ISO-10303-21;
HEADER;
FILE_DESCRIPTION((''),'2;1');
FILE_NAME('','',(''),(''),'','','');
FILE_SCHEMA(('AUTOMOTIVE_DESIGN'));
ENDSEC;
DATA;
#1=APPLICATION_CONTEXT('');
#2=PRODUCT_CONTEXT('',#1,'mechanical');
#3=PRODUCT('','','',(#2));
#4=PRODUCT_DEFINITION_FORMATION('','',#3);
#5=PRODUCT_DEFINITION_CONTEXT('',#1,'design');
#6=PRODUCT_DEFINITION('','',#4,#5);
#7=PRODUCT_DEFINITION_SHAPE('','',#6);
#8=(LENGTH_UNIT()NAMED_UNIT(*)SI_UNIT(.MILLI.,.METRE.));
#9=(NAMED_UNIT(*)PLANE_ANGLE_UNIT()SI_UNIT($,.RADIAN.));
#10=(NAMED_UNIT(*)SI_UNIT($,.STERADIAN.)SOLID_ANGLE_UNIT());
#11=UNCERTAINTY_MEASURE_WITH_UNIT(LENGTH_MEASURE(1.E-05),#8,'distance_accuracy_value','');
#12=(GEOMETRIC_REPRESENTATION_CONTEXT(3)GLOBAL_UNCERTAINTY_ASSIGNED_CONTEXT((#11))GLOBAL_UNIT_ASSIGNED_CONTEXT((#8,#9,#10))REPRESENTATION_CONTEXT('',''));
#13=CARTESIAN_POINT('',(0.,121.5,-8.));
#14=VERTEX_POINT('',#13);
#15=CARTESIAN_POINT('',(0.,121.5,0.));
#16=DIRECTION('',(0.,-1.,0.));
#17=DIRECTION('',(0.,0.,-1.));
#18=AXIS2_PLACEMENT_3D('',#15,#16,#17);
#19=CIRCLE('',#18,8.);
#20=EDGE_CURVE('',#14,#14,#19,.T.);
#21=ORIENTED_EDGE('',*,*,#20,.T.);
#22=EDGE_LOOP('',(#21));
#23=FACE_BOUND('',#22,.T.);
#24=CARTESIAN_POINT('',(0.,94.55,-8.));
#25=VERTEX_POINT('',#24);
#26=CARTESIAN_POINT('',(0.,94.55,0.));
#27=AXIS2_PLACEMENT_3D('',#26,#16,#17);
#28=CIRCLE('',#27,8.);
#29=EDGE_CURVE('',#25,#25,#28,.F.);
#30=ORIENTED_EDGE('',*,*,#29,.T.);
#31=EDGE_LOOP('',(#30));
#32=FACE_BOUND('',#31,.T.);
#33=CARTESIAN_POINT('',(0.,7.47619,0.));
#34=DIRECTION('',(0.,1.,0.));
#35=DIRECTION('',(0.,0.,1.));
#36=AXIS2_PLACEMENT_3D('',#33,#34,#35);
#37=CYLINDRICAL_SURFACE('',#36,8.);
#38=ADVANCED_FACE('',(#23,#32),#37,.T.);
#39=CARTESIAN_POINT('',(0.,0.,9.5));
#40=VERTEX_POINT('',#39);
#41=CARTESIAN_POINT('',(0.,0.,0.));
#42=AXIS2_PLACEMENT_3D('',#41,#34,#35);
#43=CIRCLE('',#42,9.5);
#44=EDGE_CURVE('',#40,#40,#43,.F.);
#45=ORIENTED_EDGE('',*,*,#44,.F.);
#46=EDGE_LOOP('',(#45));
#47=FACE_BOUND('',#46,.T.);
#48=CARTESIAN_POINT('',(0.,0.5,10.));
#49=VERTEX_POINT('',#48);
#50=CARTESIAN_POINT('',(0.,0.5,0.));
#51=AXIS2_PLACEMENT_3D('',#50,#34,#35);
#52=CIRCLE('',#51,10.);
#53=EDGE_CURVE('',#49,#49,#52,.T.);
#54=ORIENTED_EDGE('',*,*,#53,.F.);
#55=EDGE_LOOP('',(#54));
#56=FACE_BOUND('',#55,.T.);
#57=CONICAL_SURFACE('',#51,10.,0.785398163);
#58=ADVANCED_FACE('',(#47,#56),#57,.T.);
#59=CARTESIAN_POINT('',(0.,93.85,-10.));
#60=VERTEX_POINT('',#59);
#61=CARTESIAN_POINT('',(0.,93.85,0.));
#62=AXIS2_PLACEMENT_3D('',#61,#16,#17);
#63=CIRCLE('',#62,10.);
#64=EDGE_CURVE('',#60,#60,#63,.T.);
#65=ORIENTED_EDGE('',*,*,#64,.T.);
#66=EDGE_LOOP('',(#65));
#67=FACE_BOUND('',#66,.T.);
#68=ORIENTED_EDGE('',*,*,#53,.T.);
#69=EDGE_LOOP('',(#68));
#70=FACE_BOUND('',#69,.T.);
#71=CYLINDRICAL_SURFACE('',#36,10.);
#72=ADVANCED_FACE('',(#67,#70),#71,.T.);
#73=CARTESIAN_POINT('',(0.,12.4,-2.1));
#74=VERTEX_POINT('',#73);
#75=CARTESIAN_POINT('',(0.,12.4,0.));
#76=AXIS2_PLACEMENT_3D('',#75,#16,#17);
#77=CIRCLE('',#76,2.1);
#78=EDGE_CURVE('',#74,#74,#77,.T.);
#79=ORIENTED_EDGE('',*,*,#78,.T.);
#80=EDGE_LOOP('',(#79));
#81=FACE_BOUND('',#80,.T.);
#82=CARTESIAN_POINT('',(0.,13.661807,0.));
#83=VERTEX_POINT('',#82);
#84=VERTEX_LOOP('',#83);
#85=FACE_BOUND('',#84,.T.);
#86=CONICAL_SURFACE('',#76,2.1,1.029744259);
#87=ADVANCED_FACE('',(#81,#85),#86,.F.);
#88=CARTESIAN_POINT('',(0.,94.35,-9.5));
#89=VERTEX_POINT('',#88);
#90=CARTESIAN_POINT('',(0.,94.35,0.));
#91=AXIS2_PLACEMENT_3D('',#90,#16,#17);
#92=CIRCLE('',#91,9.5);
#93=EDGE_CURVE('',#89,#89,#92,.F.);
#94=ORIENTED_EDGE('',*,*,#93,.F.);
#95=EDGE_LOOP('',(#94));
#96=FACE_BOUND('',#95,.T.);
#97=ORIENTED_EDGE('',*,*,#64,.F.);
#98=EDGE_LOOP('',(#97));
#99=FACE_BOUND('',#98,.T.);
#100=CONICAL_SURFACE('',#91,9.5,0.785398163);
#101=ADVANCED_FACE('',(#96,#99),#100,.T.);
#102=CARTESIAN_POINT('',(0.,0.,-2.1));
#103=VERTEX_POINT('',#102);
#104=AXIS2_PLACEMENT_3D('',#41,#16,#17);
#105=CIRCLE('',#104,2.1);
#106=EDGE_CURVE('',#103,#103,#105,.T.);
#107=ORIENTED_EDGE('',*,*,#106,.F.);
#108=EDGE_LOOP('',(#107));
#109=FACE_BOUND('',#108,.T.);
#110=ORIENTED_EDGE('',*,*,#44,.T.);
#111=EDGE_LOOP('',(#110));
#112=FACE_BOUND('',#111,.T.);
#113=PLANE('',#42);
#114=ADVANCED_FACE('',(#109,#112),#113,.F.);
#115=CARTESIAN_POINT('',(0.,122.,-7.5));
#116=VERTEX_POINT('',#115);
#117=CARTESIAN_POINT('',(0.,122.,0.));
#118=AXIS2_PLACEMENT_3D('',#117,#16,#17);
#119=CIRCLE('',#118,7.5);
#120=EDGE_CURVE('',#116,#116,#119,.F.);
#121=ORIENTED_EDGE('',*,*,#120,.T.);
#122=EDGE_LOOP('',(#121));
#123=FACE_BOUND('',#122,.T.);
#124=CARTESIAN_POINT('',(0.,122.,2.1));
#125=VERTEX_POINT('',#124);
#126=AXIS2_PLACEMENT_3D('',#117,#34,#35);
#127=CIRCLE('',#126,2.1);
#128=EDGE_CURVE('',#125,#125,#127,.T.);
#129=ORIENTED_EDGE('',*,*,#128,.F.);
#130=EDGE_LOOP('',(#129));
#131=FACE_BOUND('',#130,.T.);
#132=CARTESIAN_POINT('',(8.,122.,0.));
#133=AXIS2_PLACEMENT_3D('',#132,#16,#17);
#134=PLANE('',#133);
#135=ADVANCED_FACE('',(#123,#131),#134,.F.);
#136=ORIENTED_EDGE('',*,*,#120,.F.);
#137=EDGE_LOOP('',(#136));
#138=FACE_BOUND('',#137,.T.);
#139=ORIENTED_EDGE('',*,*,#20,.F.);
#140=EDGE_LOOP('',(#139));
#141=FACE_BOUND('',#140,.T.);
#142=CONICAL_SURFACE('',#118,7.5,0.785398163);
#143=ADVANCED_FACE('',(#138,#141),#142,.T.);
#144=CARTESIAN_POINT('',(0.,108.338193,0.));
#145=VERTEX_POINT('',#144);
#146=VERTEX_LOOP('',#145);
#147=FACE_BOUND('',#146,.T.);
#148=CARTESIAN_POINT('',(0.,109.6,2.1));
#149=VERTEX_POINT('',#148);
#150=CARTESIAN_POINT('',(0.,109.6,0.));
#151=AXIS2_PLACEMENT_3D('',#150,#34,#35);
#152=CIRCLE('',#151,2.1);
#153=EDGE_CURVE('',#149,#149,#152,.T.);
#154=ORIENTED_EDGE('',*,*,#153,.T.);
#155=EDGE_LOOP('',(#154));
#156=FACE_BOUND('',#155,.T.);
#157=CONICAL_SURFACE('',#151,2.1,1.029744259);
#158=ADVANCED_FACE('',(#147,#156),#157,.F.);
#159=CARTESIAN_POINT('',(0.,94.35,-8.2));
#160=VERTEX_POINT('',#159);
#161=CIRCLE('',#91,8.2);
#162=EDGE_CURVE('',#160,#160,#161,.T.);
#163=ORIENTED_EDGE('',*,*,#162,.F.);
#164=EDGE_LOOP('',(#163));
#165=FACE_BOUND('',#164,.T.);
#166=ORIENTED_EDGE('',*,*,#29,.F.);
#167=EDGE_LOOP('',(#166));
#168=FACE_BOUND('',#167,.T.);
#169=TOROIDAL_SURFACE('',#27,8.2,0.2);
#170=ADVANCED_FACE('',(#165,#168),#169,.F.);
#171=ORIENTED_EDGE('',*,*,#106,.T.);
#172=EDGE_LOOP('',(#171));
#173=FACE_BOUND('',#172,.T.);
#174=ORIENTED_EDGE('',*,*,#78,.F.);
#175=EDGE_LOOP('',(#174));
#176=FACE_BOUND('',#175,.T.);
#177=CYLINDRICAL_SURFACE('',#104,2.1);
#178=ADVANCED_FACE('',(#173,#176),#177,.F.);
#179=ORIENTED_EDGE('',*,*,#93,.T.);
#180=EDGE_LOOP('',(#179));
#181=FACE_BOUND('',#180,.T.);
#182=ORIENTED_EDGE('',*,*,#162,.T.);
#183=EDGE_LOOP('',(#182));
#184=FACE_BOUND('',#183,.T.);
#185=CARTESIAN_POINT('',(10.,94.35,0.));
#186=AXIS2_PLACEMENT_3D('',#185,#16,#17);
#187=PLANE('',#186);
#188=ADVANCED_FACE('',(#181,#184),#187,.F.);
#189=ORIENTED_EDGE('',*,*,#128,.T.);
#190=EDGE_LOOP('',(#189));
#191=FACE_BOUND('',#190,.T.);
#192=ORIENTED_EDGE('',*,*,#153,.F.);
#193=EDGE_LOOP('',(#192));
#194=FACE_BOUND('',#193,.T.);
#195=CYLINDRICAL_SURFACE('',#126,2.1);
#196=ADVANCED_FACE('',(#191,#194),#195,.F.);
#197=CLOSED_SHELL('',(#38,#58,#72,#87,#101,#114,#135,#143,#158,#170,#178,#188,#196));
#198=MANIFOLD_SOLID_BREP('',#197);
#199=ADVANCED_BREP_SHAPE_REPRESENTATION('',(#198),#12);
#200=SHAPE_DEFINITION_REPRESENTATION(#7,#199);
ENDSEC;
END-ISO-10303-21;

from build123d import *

# Parameters (mm, degrees)
FILLET1_R     = 0.2
CHAMFER1_SIZE = 0.5


with BuildPart() as part:
    # Sketch1 → Revolve1 (revolve)
    with BuildSketch(Plane.XY, mode=Mode.PRIVATE) as revolve1_sk:
        Polygon((0, 0), (10, 0), (10, 94.35), (8, 94.35), (8, 122), (0, 122), align=None)
    revolve(revolve1_sk.sketch.rotate(Axis((0, 7.476190476, 0), (0, -1, 0)), 90), axis=Axis((0, 7.476190476, 0), (0, -1, 0)))

    # Sketch4 → M5 Tapped Hole1 (revolve, cut)
    with BuildSketch(Plane(origin=(0, 0, 0), x_dir=(0, 0, -1), z_dir=(1, 0, 0))):
        Polygon((0, 0), (0, 13.6618073), (2.1, 12.4), (2.1, 0), align=None)
    m5_tapped_hole1 = revolve(axis=Axis((0, -6.35, 0), (0, 1, 0)), mode=Mode.SUBTRACT)

    # Mirror1: M5 Tapped Hole1 across plane
    add(m5_tapped_hole1.mirror(Plane(origin=(0, 61, 0), x_dir=(0, 0, 1), z_dir=(0, -1, 0))), mode=Mode.SUBTRACT)

    # Fillet1
    fillet1_edges = [part.edges().sort_by_distance(p)[0] for p in [
        (0, 94.35, -8),
    ]]
    fillet(fillet1_edges, radius=FILLET1_R)

    # Chamfer1
    chamfer1_edges = [part.edges().sort_by_distance(p)[0] for p in [
        (0, 122, -8),
        (0, 94.35, -10),
        (0, 0, -10),
    ]]
    chamfer(chamfer1_edges, length=CHAMFER1_SIZE)


solid = part.part
